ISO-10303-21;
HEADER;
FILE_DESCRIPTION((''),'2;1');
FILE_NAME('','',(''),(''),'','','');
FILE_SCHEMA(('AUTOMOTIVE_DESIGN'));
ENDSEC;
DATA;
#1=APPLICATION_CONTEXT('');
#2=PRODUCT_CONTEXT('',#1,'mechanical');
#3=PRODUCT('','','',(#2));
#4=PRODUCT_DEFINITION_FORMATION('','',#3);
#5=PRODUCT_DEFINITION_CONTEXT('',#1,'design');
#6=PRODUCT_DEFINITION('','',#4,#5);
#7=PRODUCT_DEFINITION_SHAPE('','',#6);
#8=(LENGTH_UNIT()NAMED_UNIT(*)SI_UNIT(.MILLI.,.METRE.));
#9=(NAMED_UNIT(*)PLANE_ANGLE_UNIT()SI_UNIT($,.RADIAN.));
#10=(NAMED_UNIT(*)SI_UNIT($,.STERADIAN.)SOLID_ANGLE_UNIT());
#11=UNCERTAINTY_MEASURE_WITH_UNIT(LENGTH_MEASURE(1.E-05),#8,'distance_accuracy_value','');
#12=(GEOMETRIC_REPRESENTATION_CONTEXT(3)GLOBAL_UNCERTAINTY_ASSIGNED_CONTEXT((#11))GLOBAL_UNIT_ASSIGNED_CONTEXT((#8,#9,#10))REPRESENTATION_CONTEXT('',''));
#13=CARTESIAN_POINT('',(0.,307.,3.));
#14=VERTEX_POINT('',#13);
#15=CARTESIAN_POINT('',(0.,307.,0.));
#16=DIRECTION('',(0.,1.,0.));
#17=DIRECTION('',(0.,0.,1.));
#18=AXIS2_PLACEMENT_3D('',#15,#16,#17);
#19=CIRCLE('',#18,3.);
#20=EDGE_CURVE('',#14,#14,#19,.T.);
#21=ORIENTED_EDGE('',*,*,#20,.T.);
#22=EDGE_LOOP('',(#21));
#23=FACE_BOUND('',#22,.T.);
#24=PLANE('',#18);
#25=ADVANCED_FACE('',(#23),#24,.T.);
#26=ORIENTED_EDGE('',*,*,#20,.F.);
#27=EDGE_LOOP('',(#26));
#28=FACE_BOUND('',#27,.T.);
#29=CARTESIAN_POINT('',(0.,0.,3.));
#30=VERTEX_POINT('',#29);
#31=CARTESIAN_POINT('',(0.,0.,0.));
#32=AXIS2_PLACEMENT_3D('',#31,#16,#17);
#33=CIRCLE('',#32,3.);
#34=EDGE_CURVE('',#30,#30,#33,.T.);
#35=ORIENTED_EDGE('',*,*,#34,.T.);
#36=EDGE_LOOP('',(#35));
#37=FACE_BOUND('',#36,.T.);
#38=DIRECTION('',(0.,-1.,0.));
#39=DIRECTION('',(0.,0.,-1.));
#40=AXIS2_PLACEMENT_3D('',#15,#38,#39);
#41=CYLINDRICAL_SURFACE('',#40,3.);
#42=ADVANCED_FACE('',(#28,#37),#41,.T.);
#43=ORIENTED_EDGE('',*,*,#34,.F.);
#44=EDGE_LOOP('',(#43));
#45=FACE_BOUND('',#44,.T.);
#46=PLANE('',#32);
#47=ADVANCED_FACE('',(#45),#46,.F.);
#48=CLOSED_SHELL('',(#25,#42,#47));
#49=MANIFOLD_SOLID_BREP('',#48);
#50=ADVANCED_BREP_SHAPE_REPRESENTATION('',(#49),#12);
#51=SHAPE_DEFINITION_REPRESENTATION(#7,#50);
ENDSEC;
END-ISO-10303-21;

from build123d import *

# Parameters (mm, degrees)
SKETCH_1_R      = 3
EXTRUDE_1_DEPTH = 307


with BuildPart() as part:
    # Эскиз1 → Вытянуть1 (new body)
    with BuildSketch(Plane(origin=(0, 0, 0), x_dir=(1, 0, 0), z_dir=(0, 1, 0))):
        with Locations(Location((0, 0, 0), (0, 0, 270))):
            Circle(SKETCH_1_R)
    extrude(amount=EXTRUDE_1_DEPTH)


solid = part.part
